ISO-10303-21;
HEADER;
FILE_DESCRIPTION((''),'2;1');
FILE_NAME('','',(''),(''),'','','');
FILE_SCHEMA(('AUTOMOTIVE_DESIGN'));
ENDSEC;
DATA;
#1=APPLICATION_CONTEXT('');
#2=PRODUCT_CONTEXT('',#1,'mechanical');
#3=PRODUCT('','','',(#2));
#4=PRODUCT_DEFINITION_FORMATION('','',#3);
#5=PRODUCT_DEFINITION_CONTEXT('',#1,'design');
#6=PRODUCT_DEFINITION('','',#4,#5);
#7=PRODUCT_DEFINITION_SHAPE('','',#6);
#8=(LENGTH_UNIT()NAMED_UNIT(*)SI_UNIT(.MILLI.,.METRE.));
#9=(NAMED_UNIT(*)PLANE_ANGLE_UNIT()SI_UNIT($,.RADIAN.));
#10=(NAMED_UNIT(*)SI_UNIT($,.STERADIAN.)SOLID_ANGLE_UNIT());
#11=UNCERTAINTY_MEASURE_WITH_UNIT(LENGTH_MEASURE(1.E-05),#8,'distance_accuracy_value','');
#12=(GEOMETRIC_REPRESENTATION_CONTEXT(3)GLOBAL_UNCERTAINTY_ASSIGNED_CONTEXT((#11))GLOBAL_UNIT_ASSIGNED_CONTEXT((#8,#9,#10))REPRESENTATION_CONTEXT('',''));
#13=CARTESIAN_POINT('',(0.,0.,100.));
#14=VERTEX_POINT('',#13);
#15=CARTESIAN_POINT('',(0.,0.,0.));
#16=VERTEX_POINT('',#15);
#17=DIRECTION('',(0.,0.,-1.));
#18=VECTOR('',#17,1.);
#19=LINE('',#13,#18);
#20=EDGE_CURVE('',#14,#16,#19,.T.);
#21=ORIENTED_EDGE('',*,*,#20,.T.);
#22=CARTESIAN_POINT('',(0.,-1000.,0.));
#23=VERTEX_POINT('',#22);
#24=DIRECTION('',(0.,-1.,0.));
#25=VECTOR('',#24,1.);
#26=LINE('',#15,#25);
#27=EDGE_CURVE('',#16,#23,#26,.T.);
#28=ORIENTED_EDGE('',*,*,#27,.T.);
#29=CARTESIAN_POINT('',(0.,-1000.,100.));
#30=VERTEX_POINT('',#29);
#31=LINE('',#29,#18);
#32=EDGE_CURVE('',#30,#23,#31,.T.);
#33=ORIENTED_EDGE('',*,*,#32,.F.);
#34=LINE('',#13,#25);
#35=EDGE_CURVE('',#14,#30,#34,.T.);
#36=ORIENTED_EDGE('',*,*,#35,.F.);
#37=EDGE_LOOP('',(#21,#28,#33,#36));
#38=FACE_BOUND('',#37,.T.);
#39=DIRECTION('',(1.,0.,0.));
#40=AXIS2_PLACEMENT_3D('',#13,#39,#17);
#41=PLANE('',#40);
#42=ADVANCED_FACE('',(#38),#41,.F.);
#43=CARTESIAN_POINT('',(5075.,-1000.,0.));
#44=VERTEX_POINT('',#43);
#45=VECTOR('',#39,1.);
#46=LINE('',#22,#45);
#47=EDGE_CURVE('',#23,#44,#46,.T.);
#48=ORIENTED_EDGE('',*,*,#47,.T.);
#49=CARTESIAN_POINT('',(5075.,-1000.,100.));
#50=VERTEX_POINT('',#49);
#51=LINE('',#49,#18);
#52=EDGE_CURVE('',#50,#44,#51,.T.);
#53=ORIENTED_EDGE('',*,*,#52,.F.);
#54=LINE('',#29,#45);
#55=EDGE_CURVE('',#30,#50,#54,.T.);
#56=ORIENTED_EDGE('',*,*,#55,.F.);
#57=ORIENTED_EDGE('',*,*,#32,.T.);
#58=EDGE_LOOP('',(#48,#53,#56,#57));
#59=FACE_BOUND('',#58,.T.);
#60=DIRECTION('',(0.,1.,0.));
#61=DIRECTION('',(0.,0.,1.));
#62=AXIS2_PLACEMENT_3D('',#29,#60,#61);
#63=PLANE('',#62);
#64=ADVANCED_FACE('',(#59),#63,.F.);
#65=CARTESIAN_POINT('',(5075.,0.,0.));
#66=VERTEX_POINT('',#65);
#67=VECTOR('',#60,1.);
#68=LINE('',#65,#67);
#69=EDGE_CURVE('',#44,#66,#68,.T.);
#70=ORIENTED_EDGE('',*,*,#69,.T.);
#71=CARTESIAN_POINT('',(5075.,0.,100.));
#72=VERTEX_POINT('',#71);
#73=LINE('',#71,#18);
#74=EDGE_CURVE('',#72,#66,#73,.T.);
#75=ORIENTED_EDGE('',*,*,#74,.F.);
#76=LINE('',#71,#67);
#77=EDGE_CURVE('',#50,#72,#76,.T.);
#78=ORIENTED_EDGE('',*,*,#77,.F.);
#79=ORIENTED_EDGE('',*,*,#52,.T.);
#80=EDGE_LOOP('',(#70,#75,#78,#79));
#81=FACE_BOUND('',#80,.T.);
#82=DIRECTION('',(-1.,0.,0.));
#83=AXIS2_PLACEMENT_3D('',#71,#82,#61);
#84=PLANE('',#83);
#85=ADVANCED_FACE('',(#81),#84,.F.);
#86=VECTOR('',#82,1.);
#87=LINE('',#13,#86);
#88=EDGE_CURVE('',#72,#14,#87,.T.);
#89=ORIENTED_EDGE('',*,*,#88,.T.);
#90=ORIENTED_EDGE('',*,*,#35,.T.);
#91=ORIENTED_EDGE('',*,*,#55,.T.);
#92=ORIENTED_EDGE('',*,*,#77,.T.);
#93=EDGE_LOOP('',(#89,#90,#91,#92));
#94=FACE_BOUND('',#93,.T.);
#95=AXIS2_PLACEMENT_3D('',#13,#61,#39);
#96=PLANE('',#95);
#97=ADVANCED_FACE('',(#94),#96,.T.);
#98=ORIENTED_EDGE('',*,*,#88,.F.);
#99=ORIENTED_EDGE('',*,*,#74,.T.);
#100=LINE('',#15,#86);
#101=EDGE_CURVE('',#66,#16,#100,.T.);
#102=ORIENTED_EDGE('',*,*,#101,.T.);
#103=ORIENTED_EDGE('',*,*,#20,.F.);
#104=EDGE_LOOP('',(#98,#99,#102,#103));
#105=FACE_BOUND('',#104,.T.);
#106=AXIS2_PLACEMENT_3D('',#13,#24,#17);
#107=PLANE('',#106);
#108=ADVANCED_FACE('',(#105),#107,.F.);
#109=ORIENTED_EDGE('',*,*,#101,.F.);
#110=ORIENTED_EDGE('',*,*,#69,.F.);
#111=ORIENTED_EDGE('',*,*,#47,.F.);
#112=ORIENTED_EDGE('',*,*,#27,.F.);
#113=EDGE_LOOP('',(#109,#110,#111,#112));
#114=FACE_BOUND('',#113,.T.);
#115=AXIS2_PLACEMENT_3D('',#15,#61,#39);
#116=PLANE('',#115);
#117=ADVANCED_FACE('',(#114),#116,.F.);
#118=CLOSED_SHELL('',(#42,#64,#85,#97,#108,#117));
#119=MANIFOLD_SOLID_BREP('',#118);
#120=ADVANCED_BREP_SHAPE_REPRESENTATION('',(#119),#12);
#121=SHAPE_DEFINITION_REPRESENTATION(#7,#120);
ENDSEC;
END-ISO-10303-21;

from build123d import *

# Parameters (mm, degrees)
SKETCH_1_W      = 5075
SKETCH_1_H      = 1000
EXTRUDE_1_DEPTH = 100


with BuildPart() as part:
    # Эскиз1 → Бобышка-Вытянуть1 (new body)
    with BuildSketch(Plane.XY):
        with Locations((2537.5, -500)):
            Rectangle(SKETCH_1_W, SKETCH_1_H)
    extrude(amount=EXTRUDE_1_DEPTH)


solid = part.part
